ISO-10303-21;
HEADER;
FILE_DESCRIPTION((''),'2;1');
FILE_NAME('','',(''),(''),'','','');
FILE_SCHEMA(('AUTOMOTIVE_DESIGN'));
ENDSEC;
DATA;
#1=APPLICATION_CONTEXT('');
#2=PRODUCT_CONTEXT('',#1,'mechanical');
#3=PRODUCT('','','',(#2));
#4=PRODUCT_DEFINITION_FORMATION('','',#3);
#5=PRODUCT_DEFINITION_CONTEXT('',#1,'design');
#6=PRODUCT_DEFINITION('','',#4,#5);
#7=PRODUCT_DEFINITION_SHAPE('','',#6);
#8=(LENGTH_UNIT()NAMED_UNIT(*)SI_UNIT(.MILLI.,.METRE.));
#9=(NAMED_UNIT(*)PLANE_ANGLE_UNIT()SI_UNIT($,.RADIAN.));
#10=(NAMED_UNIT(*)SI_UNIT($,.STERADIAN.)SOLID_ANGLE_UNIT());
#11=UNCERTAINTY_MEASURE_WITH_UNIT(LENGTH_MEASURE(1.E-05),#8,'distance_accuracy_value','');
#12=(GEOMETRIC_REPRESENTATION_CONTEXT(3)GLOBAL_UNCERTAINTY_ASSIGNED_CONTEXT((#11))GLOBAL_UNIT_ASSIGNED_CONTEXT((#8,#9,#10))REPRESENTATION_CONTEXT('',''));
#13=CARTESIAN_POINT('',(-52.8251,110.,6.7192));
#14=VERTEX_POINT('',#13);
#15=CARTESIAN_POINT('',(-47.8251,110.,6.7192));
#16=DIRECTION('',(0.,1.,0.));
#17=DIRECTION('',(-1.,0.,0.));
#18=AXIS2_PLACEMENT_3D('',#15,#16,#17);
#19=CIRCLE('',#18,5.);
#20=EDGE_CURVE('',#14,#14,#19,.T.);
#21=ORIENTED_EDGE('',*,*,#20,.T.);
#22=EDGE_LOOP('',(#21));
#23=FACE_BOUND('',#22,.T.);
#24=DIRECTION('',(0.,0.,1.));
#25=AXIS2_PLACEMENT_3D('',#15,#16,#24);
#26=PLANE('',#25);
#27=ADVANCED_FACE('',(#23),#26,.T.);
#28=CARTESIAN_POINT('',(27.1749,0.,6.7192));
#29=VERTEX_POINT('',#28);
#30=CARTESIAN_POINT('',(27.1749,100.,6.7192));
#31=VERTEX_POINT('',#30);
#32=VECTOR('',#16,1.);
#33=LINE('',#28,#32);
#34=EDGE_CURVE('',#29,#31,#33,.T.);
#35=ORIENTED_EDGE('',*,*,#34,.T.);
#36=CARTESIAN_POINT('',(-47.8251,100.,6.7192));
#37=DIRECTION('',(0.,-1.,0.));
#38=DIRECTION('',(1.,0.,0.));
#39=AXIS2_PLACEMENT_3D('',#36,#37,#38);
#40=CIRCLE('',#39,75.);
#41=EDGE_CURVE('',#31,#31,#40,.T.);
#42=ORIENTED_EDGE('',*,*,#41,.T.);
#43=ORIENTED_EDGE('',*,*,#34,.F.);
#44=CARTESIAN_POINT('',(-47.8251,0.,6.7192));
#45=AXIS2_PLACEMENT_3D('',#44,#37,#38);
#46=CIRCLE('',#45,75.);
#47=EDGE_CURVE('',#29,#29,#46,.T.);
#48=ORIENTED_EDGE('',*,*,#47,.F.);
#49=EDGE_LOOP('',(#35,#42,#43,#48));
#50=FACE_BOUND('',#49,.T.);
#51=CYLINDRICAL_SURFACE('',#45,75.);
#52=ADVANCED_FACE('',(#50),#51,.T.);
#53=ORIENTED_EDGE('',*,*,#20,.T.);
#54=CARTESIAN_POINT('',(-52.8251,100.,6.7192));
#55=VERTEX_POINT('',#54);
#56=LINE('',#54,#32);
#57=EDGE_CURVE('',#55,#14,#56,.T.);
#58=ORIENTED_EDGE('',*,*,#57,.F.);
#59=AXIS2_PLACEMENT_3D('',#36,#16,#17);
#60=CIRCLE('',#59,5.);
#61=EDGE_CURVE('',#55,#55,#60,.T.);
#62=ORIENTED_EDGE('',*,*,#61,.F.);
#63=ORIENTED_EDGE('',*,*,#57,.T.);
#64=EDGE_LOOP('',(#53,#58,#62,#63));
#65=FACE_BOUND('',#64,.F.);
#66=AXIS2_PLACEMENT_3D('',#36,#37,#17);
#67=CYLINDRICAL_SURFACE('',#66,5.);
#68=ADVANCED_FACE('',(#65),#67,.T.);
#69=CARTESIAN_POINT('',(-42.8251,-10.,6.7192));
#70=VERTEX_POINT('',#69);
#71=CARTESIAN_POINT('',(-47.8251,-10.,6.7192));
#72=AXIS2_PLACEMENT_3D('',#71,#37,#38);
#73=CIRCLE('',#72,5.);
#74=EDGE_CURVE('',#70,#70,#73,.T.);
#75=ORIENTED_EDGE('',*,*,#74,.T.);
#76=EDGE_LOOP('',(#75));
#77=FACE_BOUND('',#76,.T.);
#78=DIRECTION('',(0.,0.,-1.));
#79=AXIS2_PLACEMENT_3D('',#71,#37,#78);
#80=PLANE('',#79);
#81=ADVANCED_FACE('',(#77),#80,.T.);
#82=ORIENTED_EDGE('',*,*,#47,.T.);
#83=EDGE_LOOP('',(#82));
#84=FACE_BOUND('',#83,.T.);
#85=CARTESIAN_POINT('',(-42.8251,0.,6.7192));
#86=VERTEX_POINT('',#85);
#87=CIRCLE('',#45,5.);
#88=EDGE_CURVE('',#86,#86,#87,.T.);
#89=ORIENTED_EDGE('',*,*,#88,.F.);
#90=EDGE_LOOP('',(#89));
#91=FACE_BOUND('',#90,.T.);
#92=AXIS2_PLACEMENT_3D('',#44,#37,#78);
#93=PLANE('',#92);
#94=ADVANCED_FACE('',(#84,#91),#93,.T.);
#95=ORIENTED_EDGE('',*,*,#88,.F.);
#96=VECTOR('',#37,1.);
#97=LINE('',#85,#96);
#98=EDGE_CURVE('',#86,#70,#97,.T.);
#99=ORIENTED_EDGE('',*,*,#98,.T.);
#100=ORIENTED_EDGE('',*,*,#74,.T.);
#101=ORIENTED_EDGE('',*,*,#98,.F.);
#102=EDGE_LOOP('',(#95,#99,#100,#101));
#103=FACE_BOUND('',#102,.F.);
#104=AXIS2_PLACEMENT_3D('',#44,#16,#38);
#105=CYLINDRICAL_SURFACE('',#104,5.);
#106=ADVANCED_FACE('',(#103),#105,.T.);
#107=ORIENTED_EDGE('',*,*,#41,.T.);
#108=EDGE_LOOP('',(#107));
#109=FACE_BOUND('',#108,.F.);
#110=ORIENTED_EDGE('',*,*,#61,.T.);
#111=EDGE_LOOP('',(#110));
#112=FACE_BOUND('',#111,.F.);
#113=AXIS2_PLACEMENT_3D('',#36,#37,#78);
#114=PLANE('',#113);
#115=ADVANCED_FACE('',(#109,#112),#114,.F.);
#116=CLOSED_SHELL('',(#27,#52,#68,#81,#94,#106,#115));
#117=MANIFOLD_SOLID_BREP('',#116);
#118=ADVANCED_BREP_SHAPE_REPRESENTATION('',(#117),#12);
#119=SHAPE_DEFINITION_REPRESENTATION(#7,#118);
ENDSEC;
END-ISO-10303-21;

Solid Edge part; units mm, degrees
sketch "Sketch1" plane through (0, 0, 0) normal (0, -1, 0) x (1, 0, 0)
  circle A0 centre (-47.8251, 6.7192) radius 75
extrude "Protrusion1" add sketch "Sketch1" against normal blind 100
sketch "Sketch2" plane through (-47.8251, 0, 6.7192) normal (0, -1, 0) x (1, 0, 0)
  circle A0 centre (0, 0) radius 5
extrude "ExtrudedProtrusion_3" add sketch "Sketch2" along normal blind 10
sketch "Sketch3" plane through (-47.8251, 100, 6.7192) normal (0, 1, 0) x (-1, 0, 0)
  circle A0 centre (0, 0) radius 5
extrude "ExtrudedProtrusion_4" add sketch "Sketch3" along normal blind 10
